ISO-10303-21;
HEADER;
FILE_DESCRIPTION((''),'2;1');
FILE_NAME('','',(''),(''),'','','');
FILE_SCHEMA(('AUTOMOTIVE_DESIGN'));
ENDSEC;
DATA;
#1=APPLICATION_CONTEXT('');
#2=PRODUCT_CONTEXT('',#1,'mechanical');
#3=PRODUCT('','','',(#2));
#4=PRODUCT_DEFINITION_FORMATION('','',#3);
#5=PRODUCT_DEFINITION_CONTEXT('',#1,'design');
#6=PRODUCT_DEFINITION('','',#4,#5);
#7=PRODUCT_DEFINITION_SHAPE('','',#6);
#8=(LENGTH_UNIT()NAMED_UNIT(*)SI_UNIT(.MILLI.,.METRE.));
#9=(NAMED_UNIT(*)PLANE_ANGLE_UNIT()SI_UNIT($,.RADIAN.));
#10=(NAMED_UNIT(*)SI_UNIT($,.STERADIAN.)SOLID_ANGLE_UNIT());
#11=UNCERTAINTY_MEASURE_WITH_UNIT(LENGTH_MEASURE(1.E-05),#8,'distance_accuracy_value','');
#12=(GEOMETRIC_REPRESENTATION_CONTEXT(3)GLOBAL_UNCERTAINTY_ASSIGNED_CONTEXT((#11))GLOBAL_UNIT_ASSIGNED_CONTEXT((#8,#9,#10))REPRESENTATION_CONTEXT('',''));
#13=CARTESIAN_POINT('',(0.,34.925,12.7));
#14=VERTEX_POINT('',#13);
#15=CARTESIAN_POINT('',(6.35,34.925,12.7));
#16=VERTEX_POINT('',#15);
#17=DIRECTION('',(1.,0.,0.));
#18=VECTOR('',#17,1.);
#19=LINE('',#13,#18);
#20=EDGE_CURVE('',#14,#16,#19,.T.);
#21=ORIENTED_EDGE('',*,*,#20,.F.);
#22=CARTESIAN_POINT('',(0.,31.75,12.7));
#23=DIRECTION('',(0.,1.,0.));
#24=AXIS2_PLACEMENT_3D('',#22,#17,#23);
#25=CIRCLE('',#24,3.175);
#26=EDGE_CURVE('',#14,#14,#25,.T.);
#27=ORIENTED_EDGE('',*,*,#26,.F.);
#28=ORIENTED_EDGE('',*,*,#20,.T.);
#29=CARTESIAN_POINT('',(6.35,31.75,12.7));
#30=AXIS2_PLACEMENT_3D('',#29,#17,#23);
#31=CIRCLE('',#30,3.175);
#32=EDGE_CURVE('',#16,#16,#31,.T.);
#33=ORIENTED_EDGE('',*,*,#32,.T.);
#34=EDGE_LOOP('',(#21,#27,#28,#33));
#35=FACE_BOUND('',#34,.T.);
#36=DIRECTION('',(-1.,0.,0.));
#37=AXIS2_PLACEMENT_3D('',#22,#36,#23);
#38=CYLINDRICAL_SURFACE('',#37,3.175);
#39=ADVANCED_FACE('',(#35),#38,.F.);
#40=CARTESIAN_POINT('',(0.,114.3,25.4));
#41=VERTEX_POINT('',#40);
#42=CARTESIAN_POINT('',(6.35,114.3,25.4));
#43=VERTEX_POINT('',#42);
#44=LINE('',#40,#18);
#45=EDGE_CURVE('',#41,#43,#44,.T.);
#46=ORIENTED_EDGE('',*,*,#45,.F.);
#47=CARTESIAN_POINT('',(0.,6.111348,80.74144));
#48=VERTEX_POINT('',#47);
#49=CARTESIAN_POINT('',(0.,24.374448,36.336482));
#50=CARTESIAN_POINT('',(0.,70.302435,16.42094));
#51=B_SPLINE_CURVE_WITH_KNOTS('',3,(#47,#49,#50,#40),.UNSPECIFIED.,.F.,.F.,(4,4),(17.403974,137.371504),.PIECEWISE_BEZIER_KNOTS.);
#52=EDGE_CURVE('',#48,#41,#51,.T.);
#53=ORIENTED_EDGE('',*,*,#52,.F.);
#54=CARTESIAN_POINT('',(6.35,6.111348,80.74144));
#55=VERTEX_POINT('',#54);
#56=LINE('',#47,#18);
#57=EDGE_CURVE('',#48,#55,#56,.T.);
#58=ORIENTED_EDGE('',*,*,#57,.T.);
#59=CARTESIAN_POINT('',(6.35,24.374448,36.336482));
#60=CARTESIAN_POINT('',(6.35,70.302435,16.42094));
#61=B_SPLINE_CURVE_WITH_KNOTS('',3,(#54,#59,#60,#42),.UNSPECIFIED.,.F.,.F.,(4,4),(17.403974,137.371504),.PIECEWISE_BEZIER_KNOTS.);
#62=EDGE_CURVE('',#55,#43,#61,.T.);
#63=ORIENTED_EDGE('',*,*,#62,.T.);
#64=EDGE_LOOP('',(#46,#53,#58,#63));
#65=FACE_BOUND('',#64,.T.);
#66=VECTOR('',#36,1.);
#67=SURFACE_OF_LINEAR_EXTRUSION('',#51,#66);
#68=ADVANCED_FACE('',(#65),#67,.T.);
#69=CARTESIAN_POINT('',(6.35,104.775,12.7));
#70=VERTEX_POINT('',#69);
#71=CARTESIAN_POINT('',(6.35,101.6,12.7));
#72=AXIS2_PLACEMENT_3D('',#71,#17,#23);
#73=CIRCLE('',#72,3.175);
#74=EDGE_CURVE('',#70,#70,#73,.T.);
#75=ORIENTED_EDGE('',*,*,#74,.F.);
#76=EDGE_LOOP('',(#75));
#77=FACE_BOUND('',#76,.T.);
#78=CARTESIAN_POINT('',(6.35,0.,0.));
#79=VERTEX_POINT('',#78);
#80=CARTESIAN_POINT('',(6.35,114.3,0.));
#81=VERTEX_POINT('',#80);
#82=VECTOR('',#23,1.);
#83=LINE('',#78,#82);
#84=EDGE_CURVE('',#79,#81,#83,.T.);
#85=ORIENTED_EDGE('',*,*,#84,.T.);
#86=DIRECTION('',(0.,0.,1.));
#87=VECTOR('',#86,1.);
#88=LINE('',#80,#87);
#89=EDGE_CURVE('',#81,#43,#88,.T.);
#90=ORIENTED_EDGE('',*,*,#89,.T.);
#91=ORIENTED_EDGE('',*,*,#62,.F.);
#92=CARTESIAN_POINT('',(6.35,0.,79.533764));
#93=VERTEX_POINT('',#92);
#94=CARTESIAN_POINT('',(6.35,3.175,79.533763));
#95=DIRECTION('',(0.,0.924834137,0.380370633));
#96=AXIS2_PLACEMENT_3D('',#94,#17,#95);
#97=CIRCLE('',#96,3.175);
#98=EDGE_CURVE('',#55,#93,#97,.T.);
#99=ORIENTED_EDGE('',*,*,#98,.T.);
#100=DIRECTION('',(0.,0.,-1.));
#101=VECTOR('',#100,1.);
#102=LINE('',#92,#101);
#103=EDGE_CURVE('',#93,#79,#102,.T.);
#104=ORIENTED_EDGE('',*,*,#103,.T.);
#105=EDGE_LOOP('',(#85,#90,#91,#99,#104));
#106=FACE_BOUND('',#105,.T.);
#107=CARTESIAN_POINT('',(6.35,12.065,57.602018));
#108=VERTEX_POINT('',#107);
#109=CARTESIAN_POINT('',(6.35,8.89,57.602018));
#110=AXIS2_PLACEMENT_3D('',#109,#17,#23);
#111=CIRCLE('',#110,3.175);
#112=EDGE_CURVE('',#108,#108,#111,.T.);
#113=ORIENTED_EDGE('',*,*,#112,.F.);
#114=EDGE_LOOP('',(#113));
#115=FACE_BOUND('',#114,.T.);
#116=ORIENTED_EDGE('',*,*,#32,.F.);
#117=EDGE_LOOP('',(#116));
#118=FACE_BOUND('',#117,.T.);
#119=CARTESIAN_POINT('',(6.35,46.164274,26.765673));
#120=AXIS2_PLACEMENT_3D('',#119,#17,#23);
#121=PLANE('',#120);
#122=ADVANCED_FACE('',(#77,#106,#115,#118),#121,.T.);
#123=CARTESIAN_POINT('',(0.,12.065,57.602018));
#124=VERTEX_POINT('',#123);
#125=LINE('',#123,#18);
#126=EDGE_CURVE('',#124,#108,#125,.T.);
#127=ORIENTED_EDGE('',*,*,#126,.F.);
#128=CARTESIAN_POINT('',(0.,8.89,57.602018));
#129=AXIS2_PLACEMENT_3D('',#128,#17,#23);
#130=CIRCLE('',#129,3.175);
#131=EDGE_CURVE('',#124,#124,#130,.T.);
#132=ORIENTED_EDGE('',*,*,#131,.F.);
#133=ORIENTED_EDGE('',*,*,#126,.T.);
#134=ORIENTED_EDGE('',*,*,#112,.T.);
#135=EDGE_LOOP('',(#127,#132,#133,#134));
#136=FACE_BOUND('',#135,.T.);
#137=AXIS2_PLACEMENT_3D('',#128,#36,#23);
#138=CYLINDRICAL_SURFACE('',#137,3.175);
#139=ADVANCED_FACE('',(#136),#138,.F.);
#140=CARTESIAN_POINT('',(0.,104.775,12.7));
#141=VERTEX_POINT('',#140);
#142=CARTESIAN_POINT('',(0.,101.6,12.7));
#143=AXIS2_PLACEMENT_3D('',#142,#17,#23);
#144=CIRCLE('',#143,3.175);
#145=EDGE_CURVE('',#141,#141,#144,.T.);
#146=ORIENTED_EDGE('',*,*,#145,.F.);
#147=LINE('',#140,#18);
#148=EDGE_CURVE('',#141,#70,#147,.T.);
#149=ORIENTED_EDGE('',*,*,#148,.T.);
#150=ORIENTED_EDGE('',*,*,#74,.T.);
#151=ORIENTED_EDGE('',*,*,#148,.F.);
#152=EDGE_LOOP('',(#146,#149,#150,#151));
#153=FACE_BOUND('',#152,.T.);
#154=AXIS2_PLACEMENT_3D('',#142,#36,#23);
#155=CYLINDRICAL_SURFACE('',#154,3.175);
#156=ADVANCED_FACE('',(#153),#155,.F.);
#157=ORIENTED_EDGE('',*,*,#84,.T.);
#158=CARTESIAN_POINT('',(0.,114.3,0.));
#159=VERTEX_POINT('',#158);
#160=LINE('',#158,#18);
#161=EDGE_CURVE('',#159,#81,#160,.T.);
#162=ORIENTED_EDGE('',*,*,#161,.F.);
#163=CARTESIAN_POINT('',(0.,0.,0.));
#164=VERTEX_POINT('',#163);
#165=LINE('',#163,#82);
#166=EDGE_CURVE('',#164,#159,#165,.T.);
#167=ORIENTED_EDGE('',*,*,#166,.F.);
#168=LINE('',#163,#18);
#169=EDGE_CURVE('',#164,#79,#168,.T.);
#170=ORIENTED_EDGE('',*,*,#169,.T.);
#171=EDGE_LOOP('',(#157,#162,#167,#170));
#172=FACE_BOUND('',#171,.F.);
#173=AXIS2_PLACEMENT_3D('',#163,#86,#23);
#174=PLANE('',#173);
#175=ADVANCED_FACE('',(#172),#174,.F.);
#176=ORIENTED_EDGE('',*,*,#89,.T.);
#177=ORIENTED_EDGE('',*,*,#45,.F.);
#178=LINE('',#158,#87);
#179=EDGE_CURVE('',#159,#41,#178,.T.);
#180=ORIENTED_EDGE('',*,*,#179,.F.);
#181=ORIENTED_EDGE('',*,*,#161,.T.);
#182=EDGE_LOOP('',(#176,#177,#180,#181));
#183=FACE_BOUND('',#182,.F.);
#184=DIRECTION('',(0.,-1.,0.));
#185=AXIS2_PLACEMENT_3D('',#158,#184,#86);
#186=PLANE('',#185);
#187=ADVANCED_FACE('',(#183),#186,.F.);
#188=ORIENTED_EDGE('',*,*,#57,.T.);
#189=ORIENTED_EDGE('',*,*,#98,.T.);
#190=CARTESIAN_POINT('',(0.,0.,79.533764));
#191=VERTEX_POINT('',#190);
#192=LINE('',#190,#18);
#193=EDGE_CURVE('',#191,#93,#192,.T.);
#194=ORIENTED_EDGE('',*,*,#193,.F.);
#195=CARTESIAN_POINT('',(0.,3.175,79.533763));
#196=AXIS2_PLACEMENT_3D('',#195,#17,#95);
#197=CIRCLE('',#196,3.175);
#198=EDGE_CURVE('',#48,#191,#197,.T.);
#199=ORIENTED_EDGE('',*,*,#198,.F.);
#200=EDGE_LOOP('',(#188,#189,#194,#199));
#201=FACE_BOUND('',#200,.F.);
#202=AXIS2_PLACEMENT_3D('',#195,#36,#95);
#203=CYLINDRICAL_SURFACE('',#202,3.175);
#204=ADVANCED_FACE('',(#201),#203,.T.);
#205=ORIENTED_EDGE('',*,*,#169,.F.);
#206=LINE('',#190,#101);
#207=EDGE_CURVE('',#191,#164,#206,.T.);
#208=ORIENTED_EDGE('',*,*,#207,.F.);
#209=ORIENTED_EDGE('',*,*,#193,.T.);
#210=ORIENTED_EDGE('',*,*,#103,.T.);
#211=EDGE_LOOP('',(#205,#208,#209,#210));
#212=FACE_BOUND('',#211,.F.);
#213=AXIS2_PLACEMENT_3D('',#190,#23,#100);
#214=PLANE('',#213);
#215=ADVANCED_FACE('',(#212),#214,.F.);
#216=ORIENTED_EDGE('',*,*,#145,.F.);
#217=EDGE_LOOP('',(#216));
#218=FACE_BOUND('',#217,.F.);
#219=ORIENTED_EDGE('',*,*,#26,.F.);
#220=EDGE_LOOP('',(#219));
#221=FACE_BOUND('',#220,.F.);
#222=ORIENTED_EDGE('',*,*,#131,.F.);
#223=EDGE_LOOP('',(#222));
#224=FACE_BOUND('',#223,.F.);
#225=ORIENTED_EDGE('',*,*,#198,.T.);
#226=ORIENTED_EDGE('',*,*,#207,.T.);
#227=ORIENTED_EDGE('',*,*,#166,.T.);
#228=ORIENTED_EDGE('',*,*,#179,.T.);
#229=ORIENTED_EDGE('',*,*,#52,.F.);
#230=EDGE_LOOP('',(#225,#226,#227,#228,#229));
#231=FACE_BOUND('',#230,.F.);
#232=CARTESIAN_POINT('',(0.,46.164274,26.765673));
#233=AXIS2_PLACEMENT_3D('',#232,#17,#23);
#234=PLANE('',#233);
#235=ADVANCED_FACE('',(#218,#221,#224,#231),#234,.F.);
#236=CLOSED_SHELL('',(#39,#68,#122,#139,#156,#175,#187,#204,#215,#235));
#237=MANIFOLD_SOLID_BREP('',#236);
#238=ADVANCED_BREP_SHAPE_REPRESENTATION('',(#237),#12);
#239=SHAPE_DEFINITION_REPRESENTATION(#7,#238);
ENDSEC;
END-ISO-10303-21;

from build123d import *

# Parameters (mm, degrees)
F0_R     = 3.175
F1_DEPTH = 6.35


with BuildPart() as f1:
    # F0 (on Right) → F1 (new body)
    with BuildSketch(Plane.YZ):
        with BuildLine():
            Line((0, 79.533764), (0, 0))
            Line((0, 0), (114.3, 0))
            Line((114.3, 0), (114.3, 25.4))
            add(Edge.make_bspline(
                [(6.111348, 80.74144), (24.374448, 36.336482), (70.302435, 16.42094), (114.3, 25.4)],
                knots=[17.403974, 17.403974, 17.403974, 17.403974, 137.371504, 137.371504, 137.371504, 137.371504], degree=3))
            ThreePointArc((6.111348, 80.74144), (2.559485, 82.648529), (0, 79.533764))
        make_face()
        with Locations((31.75, 12.7)):
            Circle(F0_R, mode=Mode.SUBTRACT)
        with Locations((101.6, 12.7)):
            Circle(F0_R, mode=Mode.SUBTRACT)
        with Locations((8.89, 57.602018)):
            Circle(F0_R, mode=Mode.SUBTRACT)
    extrude(amount=F1_DEPTH)


solid = f1.part
